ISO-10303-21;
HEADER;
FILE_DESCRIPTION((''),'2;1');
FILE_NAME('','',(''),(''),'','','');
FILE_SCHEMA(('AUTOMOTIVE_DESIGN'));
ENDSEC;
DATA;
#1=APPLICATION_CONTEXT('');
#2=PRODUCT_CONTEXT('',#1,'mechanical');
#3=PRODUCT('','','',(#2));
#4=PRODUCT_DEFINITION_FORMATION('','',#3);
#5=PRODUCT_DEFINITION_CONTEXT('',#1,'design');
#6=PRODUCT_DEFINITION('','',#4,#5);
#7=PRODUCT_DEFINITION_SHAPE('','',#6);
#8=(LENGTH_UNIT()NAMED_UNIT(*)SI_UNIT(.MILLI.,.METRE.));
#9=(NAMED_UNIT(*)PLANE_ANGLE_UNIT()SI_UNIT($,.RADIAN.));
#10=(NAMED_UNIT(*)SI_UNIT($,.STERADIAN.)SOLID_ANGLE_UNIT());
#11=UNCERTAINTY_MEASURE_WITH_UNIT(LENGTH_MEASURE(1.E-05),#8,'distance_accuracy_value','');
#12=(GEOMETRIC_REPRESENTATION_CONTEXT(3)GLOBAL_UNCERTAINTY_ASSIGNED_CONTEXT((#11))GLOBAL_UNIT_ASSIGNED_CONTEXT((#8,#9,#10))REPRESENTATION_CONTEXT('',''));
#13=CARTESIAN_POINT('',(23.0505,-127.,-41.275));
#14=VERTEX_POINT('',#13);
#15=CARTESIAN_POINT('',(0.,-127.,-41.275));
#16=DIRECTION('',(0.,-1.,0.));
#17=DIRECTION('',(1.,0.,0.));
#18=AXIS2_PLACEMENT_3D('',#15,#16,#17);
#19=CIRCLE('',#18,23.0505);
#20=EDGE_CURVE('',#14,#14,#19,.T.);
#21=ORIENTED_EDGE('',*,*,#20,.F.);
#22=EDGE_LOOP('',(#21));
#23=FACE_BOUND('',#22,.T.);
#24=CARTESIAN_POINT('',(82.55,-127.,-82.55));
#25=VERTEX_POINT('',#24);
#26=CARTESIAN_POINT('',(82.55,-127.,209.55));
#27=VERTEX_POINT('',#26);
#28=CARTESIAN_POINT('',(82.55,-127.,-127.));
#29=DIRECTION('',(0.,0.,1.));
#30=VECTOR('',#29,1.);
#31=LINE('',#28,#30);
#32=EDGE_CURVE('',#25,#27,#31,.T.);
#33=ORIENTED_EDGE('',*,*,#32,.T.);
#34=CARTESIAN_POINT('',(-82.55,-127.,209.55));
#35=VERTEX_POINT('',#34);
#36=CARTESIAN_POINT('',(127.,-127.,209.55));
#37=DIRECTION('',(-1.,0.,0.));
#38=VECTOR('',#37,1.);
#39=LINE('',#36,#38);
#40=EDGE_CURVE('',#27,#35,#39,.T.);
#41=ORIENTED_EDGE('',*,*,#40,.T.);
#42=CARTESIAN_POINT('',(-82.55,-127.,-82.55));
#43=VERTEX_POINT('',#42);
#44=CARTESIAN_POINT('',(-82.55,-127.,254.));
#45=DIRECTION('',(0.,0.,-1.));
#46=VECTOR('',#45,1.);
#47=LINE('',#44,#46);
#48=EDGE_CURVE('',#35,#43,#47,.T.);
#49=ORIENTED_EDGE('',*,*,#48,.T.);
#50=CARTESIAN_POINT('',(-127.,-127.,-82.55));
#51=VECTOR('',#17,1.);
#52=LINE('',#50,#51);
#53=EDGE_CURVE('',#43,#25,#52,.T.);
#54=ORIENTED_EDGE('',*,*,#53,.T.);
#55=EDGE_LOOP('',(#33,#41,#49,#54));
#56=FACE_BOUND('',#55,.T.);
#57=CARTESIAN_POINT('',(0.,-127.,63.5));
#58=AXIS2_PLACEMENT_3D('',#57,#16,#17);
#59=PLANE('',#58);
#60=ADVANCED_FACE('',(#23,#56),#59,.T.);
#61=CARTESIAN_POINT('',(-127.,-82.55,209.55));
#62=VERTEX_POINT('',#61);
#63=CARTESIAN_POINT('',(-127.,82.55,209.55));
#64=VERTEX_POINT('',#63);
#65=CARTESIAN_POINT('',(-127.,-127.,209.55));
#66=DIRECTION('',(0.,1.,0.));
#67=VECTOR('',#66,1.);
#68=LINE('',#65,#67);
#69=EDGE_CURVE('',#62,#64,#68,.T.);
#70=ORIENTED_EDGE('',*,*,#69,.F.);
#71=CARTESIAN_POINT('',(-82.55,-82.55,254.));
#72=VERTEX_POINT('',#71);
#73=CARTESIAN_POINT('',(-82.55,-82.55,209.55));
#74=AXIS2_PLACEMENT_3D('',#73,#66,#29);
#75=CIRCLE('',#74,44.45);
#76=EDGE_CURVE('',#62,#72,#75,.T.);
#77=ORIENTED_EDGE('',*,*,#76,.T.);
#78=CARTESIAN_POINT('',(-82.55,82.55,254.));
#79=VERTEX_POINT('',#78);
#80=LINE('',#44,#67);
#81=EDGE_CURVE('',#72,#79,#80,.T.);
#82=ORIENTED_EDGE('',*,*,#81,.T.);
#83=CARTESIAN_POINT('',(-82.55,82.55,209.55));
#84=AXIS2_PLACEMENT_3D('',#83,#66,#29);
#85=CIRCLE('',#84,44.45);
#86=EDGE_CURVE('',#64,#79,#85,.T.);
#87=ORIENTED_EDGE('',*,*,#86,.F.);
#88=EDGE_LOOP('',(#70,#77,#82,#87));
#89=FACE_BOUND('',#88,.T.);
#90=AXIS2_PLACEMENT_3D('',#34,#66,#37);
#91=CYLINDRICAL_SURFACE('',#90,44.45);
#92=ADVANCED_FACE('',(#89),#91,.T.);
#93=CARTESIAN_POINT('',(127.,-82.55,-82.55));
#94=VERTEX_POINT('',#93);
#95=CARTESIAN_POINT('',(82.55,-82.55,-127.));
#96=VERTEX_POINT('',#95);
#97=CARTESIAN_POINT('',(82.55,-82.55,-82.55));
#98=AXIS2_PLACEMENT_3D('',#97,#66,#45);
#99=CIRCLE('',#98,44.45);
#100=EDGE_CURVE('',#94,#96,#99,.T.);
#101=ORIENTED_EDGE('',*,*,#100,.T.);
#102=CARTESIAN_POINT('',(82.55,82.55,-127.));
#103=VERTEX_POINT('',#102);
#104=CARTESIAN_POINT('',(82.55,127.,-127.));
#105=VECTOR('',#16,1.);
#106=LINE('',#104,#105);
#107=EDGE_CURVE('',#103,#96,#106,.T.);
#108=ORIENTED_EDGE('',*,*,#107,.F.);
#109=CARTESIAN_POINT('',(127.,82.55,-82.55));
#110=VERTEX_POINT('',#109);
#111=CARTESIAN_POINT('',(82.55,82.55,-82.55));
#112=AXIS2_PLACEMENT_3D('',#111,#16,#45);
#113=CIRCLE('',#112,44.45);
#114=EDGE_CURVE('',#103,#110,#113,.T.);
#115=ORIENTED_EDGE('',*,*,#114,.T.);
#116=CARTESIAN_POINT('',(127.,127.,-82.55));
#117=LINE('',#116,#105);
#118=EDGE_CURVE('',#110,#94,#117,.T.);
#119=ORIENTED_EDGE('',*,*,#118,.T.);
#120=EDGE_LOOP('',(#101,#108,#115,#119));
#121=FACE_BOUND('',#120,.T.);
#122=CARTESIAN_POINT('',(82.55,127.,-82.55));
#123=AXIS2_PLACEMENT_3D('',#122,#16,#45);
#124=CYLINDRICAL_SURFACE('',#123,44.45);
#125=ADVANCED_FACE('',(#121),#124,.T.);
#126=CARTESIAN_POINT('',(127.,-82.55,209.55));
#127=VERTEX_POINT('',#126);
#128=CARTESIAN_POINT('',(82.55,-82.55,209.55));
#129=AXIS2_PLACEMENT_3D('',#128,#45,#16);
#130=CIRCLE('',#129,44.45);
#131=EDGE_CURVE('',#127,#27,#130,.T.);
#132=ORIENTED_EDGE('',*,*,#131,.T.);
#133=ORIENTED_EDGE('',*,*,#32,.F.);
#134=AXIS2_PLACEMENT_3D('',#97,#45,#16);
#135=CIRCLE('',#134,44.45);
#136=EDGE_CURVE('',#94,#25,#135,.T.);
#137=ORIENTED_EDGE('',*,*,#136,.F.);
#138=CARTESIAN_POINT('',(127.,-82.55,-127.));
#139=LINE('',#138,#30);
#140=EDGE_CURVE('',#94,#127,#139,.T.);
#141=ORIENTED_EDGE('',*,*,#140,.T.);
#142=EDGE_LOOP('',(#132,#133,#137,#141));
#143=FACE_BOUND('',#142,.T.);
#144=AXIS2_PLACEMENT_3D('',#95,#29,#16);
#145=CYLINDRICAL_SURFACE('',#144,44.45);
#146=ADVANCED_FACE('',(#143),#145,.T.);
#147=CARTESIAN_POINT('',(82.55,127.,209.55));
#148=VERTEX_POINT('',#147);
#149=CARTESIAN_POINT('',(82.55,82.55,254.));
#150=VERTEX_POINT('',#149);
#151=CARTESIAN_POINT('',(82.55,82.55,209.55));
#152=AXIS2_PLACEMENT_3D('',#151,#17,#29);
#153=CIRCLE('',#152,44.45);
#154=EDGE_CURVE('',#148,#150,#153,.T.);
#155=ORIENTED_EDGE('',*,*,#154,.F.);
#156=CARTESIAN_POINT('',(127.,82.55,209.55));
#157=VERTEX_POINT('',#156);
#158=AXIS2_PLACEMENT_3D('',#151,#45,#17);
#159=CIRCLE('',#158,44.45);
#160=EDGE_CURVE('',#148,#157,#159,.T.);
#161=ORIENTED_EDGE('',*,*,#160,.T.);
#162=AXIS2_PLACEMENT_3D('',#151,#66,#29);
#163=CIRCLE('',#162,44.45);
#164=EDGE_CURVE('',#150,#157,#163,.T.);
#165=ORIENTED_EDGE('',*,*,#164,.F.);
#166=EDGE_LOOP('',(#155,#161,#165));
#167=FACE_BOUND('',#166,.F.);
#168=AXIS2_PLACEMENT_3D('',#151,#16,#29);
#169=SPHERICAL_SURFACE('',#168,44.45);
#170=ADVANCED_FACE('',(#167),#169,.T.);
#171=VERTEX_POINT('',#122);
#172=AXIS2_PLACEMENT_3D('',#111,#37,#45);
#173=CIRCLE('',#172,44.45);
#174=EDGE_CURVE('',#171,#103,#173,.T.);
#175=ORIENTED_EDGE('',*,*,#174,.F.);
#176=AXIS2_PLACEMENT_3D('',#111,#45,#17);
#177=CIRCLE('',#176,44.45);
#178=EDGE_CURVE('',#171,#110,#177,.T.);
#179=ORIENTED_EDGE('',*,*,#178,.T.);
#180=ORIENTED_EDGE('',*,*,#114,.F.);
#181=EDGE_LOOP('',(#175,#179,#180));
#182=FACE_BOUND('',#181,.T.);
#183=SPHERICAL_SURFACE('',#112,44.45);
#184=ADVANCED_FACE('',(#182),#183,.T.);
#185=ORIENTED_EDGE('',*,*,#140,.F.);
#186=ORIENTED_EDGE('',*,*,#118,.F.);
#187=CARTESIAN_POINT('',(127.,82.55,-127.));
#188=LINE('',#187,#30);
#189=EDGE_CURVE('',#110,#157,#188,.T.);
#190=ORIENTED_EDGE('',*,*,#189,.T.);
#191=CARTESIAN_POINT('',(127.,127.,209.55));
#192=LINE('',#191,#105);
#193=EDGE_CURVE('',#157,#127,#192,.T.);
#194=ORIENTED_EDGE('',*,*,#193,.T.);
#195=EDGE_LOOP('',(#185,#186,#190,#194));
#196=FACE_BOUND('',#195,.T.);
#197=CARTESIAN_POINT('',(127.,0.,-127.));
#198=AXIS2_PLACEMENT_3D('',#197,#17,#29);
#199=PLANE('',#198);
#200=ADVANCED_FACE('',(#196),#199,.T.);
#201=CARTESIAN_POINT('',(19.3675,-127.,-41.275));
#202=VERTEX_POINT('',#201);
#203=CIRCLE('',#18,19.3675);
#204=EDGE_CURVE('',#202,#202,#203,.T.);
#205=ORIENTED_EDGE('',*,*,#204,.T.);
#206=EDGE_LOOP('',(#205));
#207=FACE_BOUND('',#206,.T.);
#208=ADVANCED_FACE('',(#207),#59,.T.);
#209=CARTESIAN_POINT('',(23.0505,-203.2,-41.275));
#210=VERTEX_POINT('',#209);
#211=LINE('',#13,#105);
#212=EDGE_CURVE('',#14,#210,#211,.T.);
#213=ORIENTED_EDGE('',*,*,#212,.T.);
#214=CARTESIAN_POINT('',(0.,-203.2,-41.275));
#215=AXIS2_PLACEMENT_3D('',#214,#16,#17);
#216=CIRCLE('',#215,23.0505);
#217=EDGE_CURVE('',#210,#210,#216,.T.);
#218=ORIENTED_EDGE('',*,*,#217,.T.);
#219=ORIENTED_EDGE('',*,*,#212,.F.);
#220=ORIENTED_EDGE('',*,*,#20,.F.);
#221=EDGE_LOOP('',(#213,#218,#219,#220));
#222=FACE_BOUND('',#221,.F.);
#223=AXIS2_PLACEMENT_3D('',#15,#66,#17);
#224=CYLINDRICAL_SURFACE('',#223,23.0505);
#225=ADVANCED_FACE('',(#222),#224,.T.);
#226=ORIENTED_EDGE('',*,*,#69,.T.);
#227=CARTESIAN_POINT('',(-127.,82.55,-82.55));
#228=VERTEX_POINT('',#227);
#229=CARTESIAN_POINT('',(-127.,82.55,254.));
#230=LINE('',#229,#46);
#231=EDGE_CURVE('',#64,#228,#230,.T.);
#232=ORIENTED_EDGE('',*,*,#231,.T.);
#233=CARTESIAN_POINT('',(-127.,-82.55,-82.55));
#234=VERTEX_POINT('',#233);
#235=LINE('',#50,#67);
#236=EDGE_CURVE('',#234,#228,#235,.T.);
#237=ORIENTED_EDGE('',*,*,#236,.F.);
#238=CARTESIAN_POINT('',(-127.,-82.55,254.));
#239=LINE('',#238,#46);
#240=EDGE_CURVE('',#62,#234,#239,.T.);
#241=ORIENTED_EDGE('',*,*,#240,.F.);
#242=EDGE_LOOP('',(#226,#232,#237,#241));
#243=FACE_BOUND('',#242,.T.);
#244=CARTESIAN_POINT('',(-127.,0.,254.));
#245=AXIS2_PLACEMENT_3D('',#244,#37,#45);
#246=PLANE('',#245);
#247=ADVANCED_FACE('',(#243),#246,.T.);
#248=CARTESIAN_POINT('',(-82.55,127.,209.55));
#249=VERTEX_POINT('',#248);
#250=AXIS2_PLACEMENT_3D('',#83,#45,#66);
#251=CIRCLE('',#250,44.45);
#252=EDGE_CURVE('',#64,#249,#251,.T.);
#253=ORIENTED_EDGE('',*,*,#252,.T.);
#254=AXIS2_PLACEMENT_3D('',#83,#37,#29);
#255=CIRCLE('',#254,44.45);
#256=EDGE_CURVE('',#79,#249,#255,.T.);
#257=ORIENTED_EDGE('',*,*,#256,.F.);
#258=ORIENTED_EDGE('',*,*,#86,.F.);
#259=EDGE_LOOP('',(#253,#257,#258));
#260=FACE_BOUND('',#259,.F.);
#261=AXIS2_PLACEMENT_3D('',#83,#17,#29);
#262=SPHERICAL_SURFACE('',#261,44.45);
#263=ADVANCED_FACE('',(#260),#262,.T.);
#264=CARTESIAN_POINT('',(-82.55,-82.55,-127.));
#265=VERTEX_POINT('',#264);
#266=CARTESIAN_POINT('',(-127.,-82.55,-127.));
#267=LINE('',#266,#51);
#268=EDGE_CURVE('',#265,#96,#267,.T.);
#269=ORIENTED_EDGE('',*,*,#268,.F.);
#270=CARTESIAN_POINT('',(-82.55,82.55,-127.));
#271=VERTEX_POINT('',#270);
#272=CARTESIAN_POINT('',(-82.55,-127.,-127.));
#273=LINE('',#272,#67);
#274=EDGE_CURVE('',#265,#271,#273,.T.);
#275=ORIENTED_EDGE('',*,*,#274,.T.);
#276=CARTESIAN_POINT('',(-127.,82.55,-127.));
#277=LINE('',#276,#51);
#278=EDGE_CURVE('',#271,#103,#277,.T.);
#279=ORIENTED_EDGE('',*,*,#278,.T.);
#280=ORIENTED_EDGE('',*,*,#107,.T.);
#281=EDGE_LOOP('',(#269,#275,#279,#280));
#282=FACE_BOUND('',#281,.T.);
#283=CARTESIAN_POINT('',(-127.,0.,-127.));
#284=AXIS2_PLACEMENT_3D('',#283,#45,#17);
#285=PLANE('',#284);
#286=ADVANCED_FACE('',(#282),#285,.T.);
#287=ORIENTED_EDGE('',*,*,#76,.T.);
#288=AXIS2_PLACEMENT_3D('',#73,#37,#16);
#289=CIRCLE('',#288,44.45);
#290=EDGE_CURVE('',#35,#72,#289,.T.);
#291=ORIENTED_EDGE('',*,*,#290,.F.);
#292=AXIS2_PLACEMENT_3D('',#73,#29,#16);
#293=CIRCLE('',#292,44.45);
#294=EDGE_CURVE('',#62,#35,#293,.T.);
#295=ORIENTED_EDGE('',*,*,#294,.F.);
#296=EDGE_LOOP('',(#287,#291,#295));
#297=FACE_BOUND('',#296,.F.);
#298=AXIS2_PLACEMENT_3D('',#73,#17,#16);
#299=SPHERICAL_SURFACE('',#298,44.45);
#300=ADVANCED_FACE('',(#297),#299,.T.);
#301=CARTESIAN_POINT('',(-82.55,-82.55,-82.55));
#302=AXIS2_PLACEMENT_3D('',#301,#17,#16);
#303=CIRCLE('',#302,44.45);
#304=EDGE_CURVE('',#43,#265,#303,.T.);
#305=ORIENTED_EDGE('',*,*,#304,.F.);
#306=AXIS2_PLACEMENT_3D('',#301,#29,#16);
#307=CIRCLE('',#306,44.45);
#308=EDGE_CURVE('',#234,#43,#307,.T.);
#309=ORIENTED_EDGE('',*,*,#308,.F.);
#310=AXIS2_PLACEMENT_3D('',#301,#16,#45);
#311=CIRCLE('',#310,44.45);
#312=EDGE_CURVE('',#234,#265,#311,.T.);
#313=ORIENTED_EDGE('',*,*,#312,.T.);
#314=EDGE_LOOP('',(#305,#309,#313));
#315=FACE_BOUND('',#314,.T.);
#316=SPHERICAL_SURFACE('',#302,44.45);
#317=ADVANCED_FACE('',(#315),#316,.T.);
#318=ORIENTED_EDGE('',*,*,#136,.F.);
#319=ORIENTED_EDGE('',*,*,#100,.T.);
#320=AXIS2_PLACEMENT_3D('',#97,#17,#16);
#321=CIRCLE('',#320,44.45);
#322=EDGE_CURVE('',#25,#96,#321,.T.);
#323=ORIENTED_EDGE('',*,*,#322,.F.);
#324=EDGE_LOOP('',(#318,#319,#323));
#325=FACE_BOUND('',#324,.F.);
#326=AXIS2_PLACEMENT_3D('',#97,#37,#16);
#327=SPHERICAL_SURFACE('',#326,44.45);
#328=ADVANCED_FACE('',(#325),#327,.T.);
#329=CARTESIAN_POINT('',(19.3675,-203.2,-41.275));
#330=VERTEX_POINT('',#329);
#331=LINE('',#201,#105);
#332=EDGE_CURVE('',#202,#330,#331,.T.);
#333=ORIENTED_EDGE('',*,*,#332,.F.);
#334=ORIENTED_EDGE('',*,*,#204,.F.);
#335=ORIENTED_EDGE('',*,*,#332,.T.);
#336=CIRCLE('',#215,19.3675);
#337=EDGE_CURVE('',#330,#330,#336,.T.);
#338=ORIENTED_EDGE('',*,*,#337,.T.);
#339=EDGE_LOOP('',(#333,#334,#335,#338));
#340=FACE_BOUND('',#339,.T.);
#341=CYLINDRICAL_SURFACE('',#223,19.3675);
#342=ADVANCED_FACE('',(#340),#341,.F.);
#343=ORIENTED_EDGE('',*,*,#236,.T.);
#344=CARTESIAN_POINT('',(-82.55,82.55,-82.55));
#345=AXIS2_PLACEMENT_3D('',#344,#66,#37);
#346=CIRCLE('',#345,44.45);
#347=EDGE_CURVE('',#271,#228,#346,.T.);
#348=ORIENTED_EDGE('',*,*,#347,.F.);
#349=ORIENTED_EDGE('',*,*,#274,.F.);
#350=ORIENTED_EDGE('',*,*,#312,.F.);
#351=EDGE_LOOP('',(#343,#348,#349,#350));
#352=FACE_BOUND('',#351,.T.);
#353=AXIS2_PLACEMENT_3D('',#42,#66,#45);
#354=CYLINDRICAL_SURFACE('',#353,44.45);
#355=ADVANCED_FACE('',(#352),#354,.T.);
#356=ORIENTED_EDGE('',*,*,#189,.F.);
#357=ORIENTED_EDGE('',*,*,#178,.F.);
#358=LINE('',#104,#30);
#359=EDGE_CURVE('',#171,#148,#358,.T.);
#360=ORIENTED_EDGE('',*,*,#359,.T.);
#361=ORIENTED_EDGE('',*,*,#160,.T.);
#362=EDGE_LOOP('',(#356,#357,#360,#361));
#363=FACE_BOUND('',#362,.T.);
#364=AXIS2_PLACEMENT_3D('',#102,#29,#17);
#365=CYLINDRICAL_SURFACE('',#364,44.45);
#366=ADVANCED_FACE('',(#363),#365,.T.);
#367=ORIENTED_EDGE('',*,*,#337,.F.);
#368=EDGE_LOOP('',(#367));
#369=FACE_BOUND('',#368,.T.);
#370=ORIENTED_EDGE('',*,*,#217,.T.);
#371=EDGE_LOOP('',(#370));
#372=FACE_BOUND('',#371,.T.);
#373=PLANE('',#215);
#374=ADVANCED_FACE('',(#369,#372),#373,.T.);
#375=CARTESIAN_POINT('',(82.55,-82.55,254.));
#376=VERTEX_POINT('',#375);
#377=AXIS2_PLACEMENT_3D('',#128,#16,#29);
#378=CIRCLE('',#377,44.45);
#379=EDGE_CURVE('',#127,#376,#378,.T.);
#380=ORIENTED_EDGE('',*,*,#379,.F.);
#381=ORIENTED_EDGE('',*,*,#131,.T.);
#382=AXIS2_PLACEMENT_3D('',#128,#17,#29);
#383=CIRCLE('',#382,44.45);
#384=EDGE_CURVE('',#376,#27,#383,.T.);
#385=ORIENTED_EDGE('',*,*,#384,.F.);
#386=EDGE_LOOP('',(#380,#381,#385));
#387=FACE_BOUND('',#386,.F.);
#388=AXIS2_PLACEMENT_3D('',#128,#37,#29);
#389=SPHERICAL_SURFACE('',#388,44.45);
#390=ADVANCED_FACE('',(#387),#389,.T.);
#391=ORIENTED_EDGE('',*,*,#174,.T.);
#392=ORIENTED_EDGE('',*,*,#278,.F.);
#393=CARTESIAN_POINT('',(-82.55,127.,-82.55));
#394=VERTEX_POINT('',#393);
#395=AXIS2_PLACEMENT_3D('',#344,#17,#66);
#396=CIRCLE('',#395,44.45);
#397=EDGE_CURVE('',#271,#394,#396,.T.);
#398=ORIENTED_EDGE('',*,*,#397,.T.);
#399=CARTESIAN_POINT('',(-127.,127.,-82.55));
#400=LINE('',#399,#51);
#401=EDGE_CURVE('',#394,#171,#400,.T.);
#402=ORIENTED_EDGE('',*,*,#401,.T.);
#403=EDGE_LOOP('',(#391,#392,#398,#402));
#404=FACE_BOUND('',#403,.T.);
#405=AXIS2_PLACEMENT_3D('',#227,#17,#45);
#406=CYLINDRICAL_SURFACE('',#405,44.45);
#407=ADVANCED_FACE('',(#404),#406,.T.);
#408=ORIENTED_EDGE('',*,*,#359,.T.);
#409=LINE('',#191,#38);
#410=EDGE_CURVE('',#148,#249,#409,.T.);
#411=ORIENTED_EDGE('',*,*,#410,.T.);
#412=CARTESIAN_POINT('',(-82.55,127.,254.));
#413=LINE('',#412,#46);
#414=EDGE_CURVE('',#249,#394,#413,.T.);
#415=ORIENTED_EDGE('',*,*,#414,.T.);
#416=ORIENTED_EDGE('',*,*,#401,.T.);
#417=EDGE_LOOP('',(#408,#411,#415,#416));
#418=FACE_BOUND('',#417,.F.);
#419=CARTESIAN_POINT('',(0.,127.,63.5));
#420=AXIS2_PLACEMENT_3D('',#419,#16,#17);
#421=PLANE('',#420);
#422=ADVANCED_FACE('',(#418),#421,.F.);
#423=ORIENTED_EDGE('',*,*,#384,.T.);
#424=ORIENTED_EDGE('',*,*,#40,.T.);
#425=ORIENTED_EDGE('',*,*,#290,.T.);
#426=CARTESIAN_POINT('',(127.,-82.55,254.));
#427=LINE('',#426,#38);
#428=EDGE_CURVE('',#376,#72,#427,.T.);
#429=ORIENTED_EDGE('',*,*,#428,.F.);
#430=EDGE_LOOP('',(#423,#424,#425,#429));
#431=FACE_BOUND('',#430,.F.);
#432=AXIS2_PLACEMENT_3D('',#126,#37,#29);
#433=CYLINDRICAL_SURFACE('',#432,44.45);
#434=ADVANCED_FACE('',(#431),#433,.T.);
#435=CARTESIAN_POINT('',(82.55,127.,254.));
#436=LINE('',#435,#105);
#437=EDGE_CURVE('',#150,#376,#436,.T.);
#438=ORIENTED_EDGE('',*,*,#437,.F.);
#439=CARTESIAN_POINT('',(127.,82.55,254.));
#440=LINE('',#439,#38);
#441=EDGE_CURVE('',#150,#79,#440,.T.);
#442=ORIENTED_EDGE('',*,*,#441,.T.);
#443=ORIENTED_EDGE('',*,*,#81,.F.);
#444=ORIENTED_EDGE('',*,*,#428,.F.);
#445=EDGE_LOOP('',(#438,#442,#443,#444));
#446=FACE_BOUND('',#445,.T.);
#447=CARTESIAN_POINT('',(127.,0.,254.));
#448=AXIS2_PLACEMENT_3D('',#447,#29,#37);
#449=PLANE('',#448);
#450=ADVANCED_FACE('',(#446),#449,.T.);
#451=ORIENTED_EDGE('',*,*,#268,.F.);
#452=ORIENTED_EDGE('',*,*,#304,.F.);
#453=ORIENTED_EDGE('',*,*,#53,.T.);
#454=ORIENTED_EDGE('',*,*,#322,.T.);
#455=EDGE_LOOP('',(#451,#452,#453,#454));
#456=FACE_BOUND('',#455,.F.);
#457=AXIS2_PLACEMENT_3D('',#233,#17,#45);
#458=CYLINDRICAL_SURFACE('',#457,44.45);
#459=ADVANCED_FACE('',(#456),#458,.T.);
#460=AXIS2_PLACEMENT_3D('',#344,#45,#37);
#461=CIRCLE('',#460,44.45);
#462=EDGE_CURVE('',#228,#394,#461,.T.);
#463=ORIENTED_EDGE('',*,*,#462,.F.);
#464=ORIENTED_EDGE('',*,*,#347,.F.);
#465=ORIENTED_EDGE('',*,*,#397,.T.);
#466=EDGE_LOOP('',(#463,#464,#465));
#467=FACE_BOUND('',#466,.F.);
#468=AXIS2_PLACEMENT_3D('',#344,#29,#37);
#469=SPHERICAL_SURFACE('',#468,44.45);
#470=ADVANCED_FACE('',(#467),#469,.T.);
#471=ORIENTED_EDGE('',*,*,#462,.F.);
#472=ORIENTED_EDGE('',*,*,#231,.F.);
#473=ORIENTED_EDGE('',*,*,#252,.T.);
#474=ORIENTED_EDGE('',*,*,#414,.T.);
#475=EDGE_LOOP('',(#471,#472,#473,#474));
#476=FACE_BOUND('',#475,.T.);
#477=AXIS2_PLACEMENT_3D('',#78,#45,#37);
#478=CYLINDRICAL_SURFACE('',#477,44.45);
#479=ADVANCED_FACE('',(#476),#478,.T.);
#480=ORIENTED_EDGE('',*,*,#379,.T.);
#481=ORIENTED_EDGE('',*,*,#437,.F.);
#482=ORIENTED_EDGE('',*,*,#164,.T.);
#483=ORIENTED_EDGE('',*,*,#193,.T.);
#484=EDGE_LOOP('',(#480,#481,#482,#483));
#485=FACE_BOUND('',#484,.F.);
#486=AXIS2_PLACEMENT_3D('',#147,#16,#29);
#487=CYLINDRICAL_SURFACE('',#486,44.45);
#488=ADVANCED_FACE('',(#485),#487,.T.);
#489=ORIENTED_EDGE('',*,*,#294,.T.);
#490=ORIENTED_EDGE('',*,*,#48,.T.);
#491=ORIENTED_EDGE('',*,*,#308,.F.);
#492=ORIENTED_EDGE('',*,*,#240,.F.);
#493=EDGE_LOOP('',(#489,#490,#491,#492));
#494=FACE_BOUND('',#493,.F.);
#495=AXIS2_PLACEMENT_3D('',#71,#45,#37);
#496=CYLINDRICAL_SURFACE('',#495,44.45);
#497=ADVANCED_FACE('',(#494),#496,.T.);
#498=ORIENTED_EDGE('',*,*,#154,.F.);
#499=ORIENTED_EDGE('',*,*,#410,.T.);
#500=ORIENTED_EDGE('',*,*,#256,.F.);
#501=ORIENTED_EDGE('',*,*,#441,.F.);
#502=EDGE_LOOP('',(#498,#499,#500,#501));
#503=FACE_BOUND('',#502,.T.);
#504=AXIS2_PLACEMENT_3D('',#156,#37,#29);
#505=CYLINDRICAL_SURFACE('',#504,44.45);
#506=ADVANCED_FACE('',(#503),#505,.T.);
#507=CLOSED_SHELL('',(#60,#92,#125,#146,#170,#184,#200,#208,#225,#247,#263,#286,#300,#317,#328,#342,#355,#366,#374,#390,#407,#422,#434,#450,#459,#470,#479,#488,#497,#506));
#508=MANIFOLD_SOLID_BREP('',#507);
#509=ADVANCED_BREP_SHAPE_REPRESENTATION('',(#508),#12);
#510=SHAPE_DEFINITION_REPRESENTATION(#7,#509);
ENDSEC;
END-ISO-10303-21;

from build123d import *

# Parameters (mm, degrees)
F1_DEPTH = 127
F2_R     = 44.45
F3_R     = 23.0505
F3_R_2   = 19.3675
F4_DEPTH = 76.2


with BuildPart() as f1:
    # F0 (on Front) → F1 (new body, symmetric)
    with BuildSketch(Plane.XZ):
        Polygon((-127, -127), (0, -127), (127, -127), (127, 254), (-127, 254), align=None)
    extrude(amount=F1_DEPTH, both=True)

    # F2
    f2_edges = [f1.edges().sort_by_distance(p)[0] for p in [
        (0, -127, 254),
        (127, 0, 254),
        (0, -127, -127),
        (127, -127, 63.5),
        (-127, -127, 63.5),
        (127, 0, -127),
        (0, 127, 254),
        (-127, 0, 254),
        (-127, 127, 63.5),
        (-127, 0, -127),
        (0, 127, -127),
        (127, 127, 63.5),
    ]]
    fillet(f2_edges, radius=F2_R)

    # F3 (on face) → F4 (join)
    with BuildSketch(Plane.XZ.offset(127)):
        with Locations((0, -41.275)):
            Circle(F3_R)
        with Locations((0, -41.275)):
            Circle(F3_R_2, mode=Mode.SUBTRACT)
    extrude(amount=F4_DEPTH)


solid = f1.part
